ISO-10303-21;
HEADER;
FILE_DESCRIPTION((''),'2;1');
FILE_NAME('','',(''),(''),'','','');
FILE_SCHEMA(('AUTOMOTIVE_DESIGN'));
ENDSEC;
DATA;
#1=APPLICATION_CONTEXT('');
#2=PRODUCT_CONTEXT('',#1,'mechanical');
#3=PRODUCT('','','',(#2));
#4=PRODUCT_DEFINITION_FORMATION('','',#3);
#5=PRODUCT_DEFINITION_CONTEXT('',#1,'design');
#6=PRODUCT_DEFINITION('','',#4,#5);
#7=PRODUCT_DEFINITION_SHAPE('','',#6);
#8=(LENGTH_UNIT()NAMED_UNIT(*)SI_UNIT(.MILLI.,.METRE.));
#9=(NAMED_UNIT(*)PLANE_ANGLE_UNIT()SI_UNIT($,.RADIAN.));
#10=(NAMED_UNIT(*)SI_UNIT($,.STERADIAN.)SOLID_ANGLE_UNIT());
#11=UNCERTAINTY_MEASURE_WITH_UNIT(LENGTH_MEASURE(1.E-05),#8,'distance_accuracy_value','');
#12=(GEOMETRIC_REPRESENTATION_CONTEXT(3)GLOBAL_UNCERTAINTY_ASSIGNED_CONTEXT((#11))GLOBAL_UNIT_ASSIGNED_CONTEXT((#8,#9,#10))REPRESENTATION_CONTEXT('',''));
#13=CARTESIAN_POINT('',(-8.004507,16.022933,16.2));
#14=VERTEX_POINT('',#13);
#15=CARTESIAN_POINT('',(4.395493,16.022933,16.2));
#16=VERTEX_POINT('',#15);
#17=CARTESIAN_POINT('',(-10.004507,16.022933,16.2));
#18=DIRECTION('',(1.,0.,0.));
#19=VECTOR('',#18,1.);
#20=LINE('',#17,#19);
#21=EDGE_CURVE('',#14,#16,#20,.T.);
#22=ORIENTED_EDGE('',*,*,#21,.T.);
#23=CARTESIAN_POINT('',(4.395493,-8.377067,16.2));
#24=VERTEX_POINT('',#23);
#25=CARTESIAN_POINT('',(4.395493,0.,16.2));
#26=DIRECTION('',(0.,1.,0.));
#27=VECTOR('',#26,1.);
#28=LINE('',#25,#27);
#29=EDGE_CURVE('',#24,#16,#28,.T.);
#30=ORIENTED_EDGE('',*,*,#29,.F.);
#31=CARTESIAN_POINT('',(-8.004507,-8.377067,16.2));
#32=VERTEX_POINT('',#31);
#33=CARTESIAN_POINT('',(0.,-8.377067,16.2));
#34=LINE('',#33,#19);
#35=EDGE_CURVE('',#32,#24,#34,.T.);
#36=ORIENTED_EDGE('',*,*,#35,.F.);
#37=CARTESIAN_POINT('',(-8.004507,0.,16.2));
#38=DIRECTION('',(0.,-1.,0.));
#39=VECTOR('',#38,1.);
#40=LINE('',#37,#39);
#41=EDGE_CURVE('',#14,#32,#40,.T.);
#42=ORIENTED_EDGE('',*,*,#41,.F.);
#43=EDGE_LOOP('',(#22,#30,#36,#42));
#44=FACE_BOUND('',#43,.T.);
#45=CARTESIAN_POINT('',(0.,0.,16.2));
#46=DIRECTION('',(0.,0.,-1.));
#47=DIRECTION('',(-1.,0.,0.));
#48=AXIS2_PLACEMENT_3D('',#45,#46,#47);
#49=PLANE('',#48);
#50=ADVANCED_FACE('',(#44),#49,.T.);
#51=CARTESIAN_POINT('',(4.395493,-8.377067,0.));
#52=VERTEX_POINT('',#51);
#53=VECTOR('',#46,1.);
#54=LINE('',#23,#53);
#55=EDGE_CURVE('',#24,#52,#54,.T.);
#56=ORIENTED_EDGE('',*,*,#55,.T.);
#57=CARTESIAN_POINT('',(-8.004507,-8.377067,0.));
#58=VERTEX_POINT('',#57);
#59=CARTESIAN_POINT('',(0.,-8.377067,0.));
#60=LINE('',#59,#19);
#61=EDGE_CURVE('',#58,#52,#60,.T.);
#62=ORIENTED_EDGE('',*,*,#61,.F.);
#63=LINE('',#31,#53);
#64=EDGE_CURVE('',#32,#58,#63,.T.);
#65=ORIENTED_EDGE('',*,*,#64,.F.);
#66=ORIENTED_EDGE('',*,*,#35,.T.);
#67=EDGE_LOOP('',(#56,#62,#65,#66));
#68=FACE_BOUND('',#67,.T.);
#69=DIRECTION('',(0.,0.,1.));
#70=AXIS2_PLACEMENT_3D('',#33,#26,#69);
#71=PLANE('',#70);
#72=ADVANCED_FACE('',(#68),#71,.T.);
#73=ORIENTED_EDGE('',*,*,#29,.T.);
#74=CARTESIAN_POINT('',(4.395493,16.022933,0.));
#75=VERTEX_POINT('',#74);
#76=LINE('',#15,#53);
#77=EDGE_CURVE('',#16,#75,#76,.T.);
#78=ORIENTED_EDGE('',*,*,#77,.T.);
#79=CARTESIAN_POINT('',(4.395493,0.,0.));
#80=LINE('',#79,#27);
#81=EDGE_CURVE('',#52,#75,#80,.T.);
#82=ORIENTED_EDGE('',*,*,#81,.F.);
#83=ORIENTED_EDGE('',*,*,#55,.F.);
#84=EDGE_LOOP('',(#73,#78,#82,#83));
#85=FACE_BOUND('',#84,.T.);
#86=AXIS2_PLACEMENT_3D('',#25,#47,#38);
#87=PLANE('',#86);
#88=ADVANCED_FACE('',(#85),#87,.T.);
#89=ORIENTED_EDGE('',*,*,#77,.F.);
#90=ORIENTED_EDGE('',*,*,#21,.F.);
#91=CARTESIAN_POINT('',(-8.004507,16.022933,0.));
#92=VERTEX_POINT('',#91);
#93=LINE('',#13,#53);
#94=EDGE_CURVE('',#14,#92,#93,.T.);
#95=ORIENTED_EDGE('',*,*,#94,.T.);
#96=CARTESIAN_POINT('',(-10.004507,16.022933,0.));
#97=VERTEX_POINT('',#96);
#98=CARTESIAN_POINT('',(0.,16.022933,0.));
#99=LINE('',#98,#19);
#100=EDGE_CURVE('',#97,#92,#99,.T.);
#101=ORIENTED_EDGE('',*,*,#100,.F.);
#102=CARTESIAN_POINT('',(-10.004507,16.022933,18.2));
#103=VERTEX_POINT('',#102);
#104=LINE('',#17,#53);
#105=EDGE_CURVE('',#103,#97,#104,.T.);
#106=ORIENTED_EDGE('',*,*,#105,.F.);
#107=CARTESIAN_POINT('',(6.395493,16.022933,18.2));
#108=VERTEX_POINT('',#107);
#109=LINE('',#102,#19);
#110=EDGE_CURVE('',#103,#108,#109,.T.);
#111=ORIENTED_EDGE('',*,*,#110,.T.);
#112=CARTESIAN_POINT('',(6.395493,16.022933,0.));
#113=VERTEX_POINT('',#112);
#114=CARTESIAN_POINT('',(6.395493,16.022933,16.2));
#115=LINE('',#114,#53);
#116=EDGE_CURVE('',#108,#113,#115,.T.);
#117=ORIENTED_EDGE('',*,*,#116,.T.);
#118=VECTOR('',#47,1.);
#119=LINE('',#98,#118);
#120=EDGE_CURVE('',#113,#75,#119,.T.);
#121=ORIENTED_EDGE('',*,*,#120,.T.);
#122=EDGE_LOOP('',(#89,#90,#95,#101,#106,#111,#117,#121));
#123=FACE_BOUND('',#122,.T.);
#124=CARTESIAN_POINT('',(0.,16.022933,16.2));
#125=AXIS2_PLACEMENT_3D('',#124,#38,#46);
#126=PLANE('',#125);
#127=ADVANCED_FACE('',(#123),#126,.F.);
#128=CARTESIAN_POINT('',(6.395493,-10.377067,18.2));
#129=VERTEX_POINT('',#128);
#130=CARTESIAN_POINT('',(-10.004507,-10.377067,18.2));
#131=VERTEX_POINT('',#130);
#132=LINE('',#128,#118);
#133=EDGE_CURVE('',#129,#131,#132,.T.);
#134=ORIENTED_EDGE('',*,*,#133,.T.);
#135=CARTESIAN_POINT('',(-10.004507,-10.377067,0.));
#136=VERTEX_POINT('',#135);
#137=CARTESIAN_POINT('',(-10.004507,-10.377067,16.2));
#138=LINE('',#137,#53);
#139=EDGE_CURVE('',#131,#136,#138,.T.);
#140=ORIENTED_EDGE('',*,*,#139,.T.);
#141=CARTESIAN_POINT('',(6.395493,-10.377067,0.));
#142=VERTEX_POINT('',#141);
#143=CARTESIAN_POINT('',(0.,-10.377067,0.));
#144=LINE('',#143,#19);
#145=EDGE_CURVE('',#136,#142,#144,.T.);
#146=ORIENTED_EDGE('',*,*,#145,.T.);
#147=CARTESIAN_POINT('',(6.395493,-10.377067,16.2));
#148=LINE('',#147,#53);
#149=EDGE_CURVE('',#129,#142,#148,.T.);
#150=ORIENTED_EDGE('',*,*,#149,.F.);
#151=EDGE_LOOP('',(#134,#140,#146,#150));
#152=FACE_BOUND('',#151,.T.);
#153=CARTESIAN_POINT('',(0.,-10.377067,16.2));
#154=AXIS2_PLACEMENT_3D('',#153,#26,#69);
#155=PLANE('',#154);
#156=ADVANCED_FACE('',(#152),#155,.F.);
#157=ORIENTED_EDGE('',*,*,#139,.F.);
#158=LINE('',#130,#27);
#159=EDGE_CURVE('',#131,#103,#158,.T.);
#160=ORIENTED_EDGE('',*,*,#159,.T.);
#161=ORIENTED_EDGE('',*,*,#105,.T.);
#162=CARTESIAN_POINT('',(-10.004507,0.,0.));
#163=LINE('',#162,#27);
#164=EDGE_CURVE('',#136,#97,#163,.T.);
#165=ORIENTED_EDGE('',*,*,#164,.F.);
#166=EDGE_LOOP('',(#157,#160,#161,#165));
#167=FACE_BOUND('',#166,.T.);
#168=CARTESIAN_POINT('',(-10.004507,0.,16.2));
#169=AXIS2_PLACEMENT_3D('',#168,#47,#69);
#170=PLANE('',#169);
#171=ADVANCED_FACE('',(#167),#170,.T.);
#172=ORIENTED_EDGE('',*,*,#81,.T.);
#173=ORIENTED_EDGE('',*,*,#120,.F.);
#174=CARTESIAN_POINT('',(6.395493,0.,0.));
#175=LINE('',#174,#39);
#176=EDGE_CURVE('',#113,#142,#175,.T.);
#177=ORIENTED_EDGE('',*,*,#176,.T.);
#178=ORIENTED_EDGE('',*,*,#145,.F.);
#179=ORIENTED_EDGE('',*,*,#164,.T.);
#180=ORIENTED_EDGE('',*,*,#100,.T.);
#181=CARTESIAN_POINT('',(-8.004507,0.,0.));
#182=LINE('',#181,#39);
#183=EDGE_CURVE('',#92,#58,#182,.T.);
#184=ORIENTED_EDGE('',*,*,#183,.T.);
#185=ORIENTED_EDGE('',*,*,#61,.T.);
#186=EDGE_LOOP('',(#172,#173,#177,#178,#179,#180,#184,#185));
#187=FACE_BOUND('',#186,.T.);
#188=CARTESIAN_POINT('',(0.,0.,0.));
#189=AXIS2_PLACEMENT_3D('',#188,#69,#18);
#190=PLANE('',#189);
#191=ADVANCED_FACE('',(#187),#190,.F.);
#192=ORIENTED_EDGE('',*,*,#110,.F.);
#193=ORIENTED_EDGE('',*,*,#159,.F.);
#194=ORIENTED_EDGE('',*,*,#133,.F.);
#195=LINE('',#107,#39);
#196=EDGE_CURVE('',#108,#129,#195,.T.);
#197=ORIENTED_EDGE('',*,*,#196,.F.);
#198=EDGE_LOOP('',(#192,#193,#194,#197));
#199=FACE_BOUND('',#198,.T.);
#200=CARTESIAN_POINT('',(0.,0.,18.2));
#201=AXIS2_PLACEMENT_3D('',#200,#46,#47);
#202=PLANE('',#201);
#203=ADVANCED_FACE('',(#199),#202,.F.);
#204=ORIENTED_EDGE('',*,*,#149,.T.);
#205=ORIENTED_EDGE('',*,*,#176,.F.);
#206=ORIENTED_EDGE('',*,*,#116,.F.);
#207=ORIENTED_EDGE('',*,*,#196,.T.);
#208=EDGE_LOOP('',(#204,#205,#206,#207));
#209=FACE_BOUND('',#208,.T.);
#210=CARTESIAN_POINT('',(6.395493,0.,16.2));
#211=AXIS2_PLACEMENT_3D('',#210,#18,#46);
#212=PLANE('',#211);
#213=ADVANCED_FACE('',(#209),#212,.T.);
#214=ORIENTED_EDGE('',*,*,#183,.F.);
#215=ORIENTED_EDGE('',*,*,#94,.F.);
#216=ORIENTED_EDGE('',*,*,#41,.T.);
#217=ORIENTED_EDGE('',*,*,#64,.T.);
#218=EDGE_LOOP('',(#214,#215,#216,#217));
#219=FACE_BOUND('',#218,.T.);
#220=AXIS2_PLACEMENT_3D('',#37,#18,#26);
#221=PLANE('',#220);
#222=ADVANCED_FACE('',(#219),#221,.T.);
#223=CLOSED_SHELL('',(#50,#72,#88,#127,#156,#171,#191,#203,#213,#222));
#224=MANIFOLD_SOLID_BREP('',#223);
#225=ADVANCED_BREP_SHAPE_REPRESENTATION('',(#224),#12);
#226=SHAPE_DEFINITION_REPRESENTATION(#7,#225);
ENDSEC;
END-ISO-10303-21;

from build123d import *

# Parameters (mm, degrees)
EXTRUDE_1_DEPTH = 16.2
SKETCH_4_W      = 16.4
SKETCH_4_H      = 26.4
EXTRUDE_2_DEPTH = 2


with BuildPart() as part:
    # 草图1 → 凸台-拉伸1 (new body)
    with BuildSketch(Plane.XY):
        Polygon((-8.004506799, -8.377067037), (-8.004506799, 14.022932963), (-8.004506799, 16.022932963), (-10.004506799, 16.022932963), (-10.004506799, 14.022932963), (-10.004506799, -10.377067037), (6.395493201, -10.377067037), (6.395493201, 14.022932963), (6.395493201, 16.022932963), (4.395493201, 16.022932963), (4.395493201, 14.022932963), (4.395493201, -8.377067037), align=None)
    extrude(amount=EXTRUDE_1_DEPTH)

    # 草图4 → 凸台-拉伸2 (add)
    with BuildSketch(Plane.XY.offset(16.2)):
        with Locations((-1.804506799, 2.822932963)):
            Rectangle(SKETCH_4_W, SKETCH_4_H)
    extrude(amount=EXTRUDE_2_DEPTH)


solid = part.part
